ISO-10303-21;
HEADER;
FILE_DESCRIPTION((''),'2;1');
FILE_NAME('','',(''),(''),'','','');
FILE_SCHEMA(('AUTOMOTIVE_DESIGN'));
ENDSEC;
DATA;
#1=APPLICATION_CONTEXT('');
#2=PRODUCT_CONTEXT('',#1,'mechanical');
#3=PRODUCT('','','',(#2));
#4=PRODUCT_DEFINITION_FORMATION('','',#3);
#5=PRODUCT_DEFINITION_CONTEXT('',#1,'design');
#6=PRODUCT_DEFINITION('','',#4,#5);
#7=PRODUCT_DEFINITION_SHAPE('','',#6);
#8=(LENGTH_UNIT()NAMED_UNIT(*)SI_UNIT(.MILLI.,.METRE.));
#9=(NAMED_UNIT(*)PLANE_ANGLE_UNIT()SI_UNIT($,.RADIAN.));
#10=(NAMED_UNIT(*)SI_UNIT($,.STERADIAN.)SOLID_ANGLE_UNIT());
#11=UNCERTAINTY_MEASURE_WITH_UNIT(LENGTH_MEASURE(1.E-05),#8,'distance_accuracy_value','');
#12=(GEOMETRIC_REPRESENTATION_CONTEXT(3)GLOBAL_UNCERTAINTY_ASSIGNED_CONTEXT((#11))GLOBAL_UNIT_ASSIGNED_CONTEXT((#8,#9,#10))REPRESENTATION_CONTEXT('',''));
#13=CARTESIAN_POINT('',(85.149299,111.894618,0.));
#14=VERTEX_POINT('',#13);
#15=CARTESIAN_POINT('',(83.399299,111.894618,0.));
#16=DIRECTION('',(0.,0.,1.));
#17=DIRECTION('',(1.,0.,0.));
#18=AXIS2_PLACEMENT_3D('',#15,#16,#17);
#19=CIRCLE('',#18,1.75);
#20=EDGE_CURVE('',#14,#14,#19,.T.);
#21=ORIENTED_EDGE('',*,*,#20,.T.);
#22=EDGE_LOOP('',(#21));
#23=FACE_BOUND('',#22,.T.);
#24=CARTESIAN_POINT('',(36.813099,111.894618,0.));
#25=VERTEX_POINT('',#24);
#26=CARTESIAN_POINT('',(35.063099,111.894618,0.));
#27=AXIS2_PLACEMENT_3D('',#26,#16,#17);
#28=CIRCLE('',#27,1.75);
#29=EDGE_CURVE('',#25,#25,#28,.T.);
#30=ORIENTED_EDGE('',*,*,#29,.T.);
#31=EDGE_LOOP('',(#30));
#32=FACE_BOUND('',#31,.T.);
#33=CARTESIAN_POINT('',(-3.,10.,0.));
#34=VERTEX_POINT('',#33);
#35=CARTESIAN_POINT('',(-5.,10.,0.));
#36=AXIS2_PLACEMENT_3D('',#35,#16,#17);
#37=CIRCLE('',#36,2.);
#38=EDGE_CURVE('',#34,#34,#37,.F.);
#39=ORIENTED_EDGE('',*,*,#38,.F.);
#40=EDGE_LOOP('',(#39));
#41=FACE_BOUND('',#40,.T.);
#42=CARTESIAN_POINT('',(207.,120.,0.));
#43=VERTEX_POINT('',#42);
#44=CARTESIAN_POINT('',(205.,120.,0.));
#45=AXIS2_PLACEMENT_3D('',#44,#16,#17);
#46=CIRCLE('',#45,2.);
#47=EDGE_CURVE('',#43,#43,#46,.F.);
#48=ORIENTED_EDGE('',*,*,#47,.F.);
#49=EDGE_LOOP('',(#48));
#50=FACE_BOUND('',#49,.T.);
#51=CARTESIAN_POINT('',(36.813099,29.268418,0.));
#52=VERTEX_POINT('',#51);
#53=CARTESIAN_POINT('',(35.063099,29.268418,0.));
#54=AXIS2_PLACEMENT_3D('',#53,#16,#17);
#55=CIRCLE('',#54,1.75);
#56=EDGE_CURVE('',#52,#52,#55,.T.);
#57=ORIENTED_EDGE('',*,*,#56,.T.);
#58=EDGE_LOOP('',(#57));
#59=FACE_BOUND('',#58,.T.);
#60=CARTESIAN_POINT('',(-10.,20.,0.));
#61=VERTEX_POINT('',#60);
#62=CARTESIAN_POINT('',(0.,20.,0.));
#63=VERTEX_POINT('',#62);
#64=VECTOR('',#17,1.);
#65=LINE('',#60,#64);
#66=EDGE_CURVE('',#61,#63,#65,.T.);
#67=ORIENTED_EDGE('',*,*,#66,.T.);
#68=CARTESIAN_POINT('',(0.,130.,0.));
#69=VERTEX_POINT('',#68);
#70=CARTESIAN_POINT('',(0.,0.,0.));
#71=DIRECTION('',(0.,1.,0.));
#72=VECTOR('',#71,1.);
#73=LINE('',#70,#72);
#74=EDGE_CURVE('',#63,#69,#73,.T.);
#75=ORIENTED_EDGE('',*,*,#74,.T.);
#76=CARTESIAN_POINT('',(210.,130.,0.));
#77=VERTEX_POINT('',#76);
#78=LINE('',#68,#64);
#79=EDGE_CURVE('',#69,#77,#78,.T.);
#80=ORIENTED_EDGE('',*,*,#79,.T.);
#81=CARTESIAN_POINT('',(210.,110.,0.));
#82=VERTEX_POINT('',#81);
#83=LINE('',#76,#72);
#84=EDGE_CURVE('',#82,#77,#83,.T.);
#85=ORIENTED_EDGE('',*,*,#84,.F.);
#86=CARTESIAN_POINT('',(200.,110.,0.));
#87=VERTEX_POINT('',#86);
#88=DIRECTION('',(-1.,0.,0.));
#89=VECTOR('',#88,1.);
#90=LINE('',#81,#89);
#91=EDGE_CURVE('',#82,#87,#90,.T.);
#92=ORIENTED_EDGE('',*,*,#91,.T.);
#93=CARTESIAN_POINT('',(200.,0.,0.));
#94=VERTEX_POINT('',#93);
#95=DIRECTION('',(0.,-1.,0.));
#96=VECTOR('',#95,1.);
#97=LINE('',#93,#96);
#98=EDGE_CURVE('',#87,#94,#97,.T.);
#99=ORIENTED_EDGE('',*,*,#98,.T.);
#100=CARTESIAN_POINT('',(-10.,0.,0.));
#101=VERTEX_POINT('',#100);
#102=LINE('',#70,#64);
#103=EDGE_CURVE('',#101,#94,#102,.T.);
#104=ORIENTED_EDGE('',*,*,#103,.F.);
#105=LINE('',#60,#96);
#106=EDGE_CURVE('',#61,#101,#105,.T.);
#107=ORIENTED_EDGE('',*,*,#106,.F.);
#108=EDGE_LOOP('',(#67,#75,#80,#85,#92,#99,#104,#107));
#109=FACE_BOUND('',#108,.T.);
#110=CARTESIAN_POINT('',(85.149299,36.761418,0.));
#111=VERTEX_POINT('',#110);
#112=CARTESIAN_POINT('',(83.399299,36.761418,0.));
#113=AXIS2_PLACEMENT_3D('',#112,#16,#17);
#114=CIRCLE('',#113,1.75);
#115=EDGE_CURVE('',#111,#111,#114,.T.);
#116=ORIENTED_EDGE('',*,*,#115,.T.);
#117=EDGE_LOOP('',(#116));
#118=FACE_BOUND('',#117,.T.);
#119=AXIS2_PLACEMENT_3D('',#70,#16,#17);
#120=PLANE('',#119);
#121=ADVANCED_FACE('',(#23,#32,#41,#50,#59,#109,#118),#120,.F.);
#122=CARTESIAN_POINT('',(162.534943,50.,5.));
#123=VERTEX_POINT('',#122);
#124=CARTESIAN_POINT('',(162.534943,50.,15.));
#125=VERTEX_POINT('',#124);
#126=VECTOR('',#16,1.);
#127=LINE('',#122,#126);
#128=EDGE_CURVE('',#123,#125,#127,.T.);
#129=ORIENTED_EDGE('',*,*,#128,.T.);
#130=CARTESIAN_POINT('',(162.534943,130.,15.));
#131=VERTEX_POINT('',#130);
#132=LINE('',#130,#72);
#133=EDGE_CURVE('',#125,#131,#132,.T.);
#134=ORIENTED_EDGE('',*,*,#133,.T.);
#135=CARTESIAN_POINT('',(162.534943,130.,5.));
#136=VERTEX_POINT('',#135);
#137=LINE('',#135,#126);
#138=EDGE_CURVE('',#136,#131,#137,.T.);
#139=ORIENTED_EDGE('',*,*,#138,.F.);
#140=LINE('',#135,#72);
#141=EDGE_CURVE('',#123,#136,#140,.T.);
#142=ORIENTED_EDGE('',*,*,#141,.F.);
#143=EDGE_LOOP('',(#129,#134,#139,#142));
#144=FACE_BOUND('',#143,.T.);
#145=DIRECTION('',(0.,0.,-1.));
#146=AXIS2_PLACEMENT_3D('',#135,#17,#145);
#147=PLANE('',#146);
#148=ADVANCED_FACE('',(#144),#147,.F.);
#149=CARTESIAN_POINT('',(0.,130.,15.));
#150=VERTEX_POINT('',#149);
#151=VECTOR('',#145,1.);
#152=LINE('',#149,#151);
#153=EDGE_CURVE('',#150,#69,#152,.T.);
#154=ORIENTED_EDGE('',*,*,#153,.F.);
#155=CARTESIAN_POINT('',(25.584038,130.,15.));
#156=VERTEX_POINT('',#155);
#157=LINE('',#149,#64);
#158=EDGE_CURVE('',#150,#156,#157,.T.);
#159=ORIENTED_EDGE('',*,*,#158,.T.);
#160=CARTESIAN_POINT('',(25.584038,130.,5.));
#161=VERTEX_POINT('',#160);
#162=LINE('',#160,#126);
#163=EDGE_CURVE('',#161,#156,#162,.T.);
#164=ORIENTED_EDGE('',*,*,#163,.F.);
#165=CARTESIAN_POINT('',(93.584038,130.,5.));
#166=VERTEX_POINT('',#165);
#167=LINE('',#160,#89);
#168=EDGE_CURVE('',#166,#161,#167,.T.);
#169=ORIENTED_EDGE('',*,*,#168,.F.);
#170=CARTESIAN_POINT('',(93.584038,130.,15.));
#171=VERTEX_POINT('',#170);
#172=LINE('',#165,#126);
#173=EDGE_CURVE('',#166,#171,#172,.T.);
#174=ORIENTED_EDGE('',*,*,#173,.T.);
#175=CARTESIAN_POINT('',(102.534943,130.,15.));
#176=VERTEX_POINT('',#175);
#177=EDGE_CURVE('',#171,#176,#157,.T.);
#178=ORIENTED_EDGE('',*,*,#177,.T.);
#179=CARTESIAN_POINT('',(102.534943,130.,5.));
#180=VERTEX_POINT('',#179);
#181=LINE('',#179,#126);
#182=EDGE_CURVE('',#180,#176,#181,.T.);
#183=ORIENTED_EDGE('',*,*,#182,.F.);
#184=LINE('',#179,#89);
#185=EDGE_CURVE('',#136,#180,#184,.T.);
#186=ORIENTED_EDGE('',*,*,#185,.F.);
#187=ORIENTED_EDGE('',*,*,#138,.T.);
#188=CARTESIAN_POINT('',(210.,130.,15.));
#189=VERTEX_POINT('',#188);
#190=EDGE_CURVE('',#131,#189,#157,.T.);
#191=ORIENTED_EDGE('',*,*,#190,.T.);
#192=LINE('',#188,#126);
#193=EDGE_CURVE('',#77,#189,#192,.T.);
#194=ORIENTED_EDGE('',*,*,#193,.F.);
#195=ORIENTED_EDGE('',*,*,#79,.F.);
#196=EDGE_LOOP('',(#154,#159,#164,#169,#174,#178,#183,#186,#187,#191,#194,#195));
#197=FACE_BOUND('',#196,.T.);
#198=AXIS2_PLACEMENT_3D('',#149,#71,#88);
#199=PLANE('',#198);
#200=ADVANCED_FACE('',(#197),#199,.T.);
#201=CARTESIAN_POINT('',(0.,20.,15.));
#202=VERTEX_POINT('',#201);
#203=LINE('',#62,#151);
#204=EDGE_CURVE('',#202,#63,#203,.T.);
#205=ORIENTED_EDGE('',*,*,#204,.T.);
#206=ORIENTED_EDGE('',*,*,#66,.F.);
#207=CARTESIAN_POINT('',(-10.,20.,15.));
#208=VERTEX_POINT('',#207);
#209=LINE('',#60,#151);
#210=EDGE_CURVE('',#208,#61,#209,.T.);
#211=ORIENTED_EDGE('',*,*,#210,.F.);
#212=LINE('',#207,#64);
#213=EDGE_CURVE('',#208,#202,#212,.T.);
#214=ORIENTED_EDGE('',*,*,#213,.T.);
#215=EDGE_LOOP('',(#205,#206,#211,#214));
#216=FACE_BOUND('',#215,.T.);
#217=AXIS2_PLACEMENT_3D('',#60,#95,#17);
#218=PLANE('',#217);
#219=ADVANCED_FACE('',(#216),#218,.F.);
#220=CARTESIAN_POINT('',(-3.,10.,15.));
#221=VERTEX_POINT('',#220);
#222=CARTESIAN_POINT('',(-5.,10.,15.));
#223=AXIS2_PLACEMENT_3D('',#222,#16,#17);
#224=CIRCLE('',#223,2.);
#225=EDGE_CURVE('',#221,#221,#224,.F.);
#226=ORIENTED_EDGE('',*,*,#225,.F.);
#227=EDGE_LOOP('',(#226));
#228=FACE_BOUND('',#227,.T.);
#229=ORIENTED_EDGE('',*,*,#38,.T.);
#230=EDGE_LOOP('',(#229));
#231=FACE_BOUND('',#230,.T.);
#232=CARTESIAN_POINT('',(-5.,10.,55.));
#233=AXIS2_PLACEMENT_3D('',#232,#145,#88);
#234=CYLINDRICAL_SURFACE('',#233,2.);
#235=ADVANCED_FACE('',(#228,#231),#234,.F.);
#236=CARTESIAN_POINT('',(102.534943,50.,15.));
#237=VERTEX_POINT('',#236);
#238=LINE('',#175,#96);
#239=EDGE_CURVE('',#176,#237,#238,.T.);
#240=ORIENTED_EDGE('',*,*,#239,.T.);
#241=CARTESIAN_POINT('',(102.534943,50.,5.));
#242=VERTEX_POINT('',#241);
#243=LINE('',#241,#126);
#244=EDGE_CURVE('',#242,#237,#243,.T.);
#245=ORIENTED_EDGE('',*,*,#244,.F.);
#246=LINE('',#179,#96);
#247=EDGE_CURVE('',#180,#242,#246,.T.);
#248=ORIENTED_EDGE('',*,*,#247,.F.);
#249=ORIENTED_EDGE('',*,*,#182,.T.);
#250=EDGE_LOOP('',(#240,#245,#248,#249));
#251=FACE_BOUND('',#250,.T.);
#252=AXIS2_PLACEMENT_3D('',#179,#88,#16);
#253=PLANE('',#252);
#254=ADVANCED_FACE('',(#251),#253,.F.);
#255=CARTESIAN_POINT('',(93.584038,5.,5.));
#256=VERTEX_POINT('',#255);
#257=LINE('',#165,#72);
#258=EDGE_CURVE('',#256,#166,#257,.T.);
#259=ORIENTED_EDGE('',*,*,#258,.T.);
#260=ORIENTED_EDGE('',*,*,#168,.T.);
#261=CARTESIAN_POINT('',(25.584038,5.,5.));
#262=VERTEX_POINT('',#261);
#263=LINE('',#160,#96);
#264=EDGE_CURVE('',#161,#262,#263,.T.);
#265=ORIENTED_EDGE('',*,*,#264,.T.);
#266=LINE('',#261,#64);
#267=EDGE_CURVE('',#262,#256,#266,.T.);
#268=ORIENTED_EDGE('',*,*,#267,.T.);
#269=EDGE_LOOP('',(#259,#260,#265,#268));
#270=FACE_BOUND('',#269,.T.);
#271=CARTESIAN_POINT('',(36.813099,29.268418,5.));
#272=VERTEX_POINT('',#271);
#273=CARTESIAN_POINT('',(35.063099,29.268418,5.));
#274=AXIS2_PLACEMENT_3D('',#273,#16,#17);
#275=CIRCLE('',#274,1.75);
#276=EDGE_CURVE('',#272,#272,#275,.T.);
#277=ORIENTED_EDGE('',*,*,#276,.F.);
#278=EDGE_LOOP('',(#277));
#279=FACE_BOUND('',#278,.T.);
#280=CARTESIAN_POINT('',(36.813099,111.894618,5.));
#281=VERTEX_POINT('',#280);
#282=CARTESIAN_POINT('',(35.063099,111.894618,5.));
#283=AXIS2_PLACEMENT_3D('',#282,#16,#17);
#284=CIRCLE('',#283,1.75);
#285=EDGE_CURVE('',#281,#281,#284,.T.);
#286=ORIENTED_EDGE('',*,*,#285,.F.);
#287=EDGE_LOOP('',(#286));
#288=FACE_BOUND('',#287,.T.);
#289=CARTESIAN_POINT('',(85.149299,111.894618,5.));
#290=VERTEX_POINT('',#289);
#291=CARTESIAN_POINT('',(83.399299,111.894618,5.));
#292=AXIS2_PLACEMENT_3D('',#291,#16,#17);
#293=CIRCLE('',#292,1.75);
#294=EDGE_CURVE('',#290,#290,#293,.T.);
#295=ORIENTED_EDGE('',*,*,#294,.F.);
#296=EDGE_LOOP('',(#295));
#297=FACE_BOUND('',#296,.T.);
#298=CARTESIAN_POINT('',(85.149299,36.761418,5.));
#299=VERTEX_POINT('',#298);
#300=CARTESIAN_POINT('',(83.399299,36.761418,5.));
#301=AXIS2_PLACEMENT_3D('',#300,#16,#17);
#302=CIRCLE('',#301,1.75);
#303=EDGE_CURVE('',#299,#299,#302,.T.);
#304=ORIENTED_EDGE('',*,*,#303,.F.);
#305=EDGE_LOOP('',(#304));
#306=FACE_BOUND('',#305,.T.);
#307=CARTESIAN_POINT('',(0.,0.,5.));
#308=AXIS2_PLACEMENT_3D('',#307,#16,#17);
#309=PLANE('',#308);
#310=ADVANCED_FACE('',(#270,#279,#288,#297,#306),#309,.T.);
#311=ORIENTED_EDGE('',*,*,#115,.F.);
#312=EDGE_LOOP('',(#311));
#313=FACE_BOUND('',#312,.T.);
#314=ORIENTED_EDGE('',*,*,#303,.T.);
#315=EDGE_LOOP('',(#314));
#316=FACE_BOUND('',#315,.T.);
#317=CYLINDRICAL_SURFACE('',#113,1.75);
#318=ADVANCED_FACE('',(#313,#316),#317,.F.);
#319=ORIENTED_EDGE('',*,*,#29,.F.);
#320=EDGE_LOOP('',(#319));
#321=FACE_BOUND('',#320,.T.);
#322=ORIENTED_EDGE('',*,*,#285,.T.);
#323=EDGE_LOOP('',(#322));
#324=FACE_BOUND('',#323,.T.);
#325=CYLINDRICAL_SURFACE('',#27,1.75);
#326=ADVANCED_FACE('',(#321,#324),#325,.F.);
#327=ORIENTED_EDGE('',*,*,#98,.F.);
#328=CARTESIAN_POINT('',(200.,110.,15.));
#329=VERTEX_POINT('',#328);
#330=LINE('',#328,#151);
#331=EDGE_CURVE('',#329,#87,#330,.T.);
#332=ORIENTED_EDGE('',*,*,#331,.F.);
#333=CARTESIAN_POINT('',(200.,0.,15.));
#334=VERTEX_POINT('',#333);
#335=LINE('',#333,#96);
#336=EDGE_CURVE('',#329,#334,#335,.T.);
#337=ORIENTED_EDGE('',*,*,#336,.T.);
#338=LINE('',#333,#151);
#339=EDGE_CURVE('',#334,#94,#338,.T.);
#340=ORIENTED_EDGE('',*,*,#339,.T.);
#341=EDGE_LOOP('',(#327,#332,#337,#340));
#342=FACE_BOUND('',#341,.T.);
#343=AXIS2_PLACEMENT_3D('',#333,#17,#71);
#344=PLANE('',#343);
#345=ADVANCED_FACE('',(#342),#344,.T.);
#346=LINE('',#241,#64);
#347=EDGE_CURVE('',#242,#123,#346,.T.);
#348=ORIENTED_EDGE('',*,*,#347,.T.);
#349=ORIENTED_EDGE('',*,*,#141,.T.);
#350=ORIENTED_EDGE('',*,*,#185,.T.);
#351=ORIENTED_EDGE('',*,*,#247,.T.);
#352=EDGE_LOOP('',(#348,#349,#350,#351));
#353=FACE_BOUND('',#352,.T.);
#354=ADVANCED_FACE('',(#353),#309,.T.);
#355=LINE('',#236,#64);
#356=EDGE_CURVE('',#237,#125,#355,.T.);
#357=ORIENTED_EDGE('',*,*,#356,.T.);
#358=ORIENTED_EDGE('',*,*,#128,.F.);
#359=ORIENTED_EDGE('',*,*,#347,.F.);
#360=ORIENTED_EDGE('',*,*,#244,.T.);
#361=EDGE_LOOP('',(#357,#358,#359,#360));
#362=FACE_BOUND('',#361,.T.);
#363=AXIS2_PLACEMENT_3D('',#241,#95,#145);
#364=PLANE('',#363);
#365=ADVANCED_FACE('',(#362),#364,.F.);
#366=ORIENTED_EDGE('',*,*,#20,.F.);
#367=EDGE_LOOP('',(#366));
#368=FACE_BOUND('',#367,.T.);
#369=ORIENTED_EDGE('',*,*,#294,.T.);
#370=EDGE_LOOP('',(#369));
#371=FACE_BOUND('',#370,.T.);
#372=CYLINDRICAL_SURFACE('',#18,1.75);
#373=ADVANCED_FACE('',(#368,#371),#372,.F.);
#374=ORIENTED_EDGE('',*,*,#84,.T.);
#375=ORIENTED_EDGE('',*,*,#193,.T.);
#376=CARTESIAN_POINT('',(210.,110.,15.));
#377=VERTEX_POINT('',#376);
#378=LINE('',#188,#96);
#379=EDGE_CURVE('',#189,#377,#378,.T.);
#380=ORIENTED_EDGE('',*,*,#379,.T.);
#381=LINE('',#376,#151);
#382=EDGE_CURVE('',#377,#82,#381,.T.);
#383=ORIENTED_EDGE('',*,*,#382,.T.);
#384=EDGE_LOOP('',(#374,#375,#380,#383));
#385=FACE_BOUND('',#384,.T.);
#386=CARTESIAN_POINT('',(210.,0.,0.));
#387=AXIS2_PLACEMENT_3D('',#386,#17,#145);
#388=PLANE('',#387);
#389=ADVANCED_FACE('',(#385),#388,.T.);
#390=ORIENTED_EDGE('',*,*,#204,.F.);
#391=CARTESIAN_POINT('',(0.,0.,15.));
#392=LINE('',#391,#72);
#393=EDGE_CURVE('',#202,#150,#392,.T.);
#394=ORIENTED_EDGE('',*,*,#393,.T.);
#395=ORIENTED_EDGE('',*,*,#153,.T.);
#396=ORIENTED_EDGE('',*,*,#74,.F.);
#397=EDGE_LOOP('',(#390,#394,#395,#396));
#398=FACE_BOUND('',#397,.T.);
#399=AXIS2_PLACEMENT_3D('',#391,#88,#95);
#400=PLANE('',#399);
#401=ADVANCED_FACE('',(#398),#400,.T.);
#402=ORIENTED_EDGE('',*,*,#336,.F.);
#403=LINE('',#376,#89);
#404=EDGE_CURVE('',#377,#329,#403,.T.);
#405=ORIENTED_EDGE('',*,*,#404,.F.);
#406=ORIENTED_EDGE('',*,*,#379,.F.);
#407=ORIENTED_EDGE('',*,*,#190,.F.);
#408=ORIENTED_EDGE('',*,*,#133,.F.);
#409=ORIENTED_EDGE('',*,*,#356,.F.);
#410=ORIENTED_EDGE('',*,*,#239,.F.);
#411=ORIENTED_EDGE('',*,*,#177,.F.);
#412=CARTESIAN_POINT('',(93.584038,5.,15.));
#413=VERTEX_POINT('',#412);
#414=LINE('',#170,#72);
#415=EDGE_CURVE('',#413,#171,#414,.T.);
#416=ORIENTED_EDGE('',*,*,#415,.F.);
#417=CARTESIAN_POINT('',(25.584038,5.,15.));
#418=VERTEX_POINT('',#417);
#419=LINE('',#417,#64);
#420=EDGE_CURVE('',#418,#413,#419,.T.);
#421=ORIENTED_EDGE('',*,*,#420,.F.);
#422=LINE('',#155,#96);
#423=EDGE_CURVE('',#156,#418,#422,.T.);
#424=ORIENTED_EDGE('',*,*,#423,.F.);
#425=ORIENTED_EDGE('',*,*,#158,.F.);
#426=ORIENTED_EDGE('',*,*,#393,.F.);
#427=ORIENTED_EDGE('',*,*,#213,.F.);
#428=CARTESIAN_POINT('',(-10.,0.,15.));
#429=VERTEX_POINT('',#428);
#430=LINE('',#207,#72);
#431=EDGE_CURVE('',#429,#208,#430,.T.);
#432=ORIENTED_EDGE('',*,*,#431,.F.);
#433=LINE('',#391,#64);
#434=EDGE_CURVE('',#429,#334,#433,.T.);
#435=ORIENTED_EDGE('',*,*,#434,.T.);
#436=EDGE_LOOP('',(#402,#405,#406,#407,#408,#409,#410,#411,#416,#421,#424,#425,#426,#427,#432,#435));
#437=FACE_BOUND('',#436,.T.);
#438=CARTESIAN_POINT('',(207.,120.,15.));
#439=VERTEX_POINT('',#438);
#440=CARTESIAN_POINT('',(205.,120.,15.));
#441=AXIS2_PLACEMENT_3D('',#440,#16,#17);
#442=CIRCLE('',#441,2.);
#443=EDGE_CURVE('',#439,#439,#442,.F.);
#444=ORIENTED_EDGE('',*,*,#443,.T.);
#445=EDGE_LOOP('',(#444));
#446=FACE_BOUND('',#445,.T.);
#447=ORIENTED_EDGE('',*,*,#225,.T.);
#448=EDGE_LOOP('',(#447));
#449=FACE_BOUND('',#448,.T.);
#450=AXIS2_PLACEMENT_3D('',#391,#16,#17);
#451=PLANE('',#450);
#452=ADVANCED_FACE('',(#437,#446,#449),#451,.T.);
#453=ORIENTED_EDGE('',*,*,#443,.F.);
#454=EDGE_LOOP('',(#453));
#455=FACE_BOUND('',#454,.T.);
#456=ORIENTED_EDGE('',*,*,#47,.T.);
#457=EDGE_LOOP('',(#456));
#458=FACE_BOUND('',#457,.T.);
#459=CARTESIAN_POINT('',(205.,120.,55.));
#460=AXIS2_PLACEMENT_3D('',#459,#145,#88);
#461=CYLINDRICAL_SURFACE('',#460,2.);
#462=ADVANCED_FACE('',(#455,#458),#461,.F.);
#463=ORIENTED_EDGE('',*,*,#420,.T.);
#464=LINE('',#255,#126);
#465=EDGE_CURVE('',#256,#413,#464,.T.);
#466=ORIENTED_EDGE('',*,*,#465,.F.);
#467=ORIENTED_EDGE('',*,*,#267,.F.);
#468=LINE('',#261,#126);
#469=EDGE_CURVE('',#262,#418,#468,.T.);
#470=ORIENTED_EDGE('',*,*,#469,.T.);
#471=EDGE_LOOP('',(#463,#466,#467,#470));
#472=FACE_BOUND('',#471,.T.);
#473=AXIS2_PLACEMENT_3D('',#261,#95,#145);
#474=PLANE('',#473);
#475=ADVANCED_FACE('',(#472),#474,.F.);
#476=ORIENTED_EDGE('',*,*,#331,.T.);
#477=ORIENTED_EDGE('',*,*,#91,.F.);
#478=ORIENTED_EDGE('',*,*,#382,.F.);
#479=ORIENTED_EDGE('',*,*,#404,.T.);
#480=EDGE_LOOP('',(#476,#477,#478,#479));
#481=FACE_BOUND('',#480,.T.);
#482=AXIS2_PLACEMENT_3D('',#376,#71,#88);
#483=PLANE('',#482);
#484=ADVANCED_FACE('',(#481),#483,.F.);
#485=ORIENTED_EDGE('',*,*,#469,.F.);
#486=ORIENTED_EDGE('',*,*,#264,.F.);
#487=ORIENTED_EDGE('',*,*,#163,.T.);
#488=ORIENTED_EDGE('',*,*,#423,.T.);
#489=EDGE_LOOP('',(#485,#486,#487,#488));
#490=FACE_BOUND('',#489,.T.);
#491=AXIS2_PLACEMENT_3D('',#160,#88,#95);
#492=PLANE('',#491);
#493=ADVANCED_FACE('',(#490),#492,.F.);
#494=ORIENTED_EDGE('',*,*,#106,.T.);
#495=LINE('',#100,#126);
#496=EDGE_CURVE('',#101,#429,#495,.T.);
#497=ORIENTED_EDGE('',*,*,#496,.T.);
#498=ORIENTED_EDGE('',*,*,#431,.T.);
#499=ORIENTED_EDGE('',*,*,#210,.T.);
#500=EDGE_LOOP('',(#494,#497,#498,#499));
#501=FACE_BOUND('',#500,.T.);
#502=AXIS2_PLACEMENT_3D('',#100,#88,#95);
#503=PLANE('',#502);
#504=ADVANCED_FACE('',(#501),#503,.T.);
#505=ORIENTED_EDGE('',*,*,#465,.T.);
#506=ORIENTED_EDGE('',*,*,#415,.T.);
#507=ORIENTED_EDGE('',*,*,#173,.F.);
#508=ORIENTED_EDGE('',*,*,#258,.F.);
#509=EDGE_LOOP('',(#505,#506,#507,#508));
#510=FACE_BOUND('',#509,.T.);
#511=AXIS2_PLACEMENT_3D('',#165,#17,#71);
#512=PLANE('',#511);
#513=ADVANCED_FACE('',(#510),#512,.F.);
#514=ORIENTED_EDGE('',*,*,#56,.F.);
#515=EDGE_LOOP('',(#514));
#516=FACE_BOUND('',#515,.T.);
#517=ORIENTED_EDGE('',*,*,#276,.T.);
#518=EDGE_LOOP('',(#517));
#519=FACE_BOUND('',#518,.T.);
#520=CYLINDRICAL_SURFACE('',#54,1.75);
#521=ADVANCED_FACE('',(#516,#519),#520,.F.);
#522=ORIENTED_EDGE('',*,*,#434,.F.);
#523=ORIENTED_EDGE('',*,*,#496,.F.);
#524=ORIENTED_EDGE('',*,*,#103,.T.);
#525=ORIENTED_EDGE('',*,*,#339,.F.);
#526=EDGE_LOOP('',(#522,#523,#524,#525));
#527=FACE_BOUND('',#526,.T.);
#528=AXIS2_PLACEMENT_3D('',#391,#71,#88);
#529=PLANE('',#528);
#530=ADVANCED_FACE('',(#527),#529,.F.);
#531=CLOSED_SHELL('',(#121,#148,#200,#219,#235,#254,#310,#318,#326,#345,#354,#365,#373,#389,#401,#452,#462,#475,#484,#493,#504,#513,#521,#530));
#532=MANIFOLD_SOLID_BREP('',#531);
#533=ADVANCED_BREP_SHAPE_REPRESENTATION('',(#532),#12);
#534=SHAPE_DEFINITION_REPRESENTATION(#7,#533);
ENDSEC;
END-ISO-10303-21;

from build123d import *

# Parameters (mm, degrees)
SKETCH1_W                = 200
SKETCH1_H                = 130
BOSS_EXTRUDE1_DEPTH      = 15
SKETCH2_W                = 68
SKETCH2_H                = 125
SKETCH2_W_2              = 60
SKETCH2_H_2              = 80
CUT_EXTRUDE1_DEPTH       = 10
SKETCH6_R                = 1.75
CUT_EXTRUDE10_DEPTH      = 15
SKETCH7_W                = 15
SKETCH7_H                = 20
BOSS_EXTRUDE2_DEPTH      = 10
SKETCH8_W                = 15
SKETCH8_H                = 20
BOSS_EXTRUDE3_DEPTH      = 10
CUT_EXTRUDE11_DEPTH      = 40
CUT_EXTRUDE11_DEPTH_BACK = 40
SKETCH9_R                = 2


with BuildPart() as part:
    # Sketch1 → Boss-Extrude1 (new body)
    with BuildSketch(Plane.XY):
        with Locations((100, 65)):
            Rectangle(SKETCH1_W, SKETCH1_H)
    extrude(amount=BOSS_EXTRUDE1_DEPTH)

    # Sketch2 → Cut-Extrude1 (cut)
    with BuildSketch(Plane.XY.offset(15)):
        with Locations((59.584038162, 67.5)):
            Rectangle(SKETCH2_W, SKETCH2_H)
        with Locations((132.534942581, 90)):
            Rectangle(SKETCH2_W_2, SKETCH2_H_2)
    extrude(amount=-CUT_EXTRUDE1_DEPTH, mode=Mode.SUBTRACT)

    # Sketch6 → Cut-Extrude10 (cut)
    with BuildSketch(Plane.XY.offset(15)):
        with Locations((35.063099212, 111.894617683)):
            Circle(SKETCH6_R)
        with Locations((83.399299212, 111.894617683)):
            Circle(SKETCH6_R)
        with Locations((83.399299212, 36.761417683)):
            Circle(SKETCH6_R)
        with Locations((35.063099212, 29.268417683)):
            Circle(SKETCH6_R)
    extrude(amount=-CUT_EXTRUDE10_DEPTH, mode=Mode.SUBTRACT)

    # Sketch7 → Boss-Extrude2 (add)
    with BuildSketch(Plane(origin=(200, 0, 0), x_dir=(0, 0, -1), z_dir=(1, 0, 0))):
        with Locations((-7.5, 120)):
            Rectangle(SKETCH7_W, SKETCH7_H)
    extrude(amount=BOSS_EXTRUDE2_DEPTH)

    # Sketch8 → Boss-Extrude3 (add)
    with BuildSketch(Plane.ZY):
        with Locations((7.5, 10)):
            Rectangle(SKETCH8_W, SKETCH8_H)
    extrude(amount=BOSS_EXTRUDE3_DEPTH)

    # Sketch9 → Cut-Extrude11 (cut, two sides: drawn at the far end of the back side and taken through both)
    with BuildSketch(Plane.XY.offset(15).offset(-CUT_EXTRUDE11_DEPTH_BACK)):
        with Locations((-5, 10)):
            Circle(SKETCH9_R)
        with Locations((205, 120)):
            Circle(SKETCH9_R)
    extrude(amount=CUT_EXTRUDE11_DEPTH + CUT_EXTRUDE11_DEPTH_BACK, mode=Mode.SUBTRACT)


solid = part.part
